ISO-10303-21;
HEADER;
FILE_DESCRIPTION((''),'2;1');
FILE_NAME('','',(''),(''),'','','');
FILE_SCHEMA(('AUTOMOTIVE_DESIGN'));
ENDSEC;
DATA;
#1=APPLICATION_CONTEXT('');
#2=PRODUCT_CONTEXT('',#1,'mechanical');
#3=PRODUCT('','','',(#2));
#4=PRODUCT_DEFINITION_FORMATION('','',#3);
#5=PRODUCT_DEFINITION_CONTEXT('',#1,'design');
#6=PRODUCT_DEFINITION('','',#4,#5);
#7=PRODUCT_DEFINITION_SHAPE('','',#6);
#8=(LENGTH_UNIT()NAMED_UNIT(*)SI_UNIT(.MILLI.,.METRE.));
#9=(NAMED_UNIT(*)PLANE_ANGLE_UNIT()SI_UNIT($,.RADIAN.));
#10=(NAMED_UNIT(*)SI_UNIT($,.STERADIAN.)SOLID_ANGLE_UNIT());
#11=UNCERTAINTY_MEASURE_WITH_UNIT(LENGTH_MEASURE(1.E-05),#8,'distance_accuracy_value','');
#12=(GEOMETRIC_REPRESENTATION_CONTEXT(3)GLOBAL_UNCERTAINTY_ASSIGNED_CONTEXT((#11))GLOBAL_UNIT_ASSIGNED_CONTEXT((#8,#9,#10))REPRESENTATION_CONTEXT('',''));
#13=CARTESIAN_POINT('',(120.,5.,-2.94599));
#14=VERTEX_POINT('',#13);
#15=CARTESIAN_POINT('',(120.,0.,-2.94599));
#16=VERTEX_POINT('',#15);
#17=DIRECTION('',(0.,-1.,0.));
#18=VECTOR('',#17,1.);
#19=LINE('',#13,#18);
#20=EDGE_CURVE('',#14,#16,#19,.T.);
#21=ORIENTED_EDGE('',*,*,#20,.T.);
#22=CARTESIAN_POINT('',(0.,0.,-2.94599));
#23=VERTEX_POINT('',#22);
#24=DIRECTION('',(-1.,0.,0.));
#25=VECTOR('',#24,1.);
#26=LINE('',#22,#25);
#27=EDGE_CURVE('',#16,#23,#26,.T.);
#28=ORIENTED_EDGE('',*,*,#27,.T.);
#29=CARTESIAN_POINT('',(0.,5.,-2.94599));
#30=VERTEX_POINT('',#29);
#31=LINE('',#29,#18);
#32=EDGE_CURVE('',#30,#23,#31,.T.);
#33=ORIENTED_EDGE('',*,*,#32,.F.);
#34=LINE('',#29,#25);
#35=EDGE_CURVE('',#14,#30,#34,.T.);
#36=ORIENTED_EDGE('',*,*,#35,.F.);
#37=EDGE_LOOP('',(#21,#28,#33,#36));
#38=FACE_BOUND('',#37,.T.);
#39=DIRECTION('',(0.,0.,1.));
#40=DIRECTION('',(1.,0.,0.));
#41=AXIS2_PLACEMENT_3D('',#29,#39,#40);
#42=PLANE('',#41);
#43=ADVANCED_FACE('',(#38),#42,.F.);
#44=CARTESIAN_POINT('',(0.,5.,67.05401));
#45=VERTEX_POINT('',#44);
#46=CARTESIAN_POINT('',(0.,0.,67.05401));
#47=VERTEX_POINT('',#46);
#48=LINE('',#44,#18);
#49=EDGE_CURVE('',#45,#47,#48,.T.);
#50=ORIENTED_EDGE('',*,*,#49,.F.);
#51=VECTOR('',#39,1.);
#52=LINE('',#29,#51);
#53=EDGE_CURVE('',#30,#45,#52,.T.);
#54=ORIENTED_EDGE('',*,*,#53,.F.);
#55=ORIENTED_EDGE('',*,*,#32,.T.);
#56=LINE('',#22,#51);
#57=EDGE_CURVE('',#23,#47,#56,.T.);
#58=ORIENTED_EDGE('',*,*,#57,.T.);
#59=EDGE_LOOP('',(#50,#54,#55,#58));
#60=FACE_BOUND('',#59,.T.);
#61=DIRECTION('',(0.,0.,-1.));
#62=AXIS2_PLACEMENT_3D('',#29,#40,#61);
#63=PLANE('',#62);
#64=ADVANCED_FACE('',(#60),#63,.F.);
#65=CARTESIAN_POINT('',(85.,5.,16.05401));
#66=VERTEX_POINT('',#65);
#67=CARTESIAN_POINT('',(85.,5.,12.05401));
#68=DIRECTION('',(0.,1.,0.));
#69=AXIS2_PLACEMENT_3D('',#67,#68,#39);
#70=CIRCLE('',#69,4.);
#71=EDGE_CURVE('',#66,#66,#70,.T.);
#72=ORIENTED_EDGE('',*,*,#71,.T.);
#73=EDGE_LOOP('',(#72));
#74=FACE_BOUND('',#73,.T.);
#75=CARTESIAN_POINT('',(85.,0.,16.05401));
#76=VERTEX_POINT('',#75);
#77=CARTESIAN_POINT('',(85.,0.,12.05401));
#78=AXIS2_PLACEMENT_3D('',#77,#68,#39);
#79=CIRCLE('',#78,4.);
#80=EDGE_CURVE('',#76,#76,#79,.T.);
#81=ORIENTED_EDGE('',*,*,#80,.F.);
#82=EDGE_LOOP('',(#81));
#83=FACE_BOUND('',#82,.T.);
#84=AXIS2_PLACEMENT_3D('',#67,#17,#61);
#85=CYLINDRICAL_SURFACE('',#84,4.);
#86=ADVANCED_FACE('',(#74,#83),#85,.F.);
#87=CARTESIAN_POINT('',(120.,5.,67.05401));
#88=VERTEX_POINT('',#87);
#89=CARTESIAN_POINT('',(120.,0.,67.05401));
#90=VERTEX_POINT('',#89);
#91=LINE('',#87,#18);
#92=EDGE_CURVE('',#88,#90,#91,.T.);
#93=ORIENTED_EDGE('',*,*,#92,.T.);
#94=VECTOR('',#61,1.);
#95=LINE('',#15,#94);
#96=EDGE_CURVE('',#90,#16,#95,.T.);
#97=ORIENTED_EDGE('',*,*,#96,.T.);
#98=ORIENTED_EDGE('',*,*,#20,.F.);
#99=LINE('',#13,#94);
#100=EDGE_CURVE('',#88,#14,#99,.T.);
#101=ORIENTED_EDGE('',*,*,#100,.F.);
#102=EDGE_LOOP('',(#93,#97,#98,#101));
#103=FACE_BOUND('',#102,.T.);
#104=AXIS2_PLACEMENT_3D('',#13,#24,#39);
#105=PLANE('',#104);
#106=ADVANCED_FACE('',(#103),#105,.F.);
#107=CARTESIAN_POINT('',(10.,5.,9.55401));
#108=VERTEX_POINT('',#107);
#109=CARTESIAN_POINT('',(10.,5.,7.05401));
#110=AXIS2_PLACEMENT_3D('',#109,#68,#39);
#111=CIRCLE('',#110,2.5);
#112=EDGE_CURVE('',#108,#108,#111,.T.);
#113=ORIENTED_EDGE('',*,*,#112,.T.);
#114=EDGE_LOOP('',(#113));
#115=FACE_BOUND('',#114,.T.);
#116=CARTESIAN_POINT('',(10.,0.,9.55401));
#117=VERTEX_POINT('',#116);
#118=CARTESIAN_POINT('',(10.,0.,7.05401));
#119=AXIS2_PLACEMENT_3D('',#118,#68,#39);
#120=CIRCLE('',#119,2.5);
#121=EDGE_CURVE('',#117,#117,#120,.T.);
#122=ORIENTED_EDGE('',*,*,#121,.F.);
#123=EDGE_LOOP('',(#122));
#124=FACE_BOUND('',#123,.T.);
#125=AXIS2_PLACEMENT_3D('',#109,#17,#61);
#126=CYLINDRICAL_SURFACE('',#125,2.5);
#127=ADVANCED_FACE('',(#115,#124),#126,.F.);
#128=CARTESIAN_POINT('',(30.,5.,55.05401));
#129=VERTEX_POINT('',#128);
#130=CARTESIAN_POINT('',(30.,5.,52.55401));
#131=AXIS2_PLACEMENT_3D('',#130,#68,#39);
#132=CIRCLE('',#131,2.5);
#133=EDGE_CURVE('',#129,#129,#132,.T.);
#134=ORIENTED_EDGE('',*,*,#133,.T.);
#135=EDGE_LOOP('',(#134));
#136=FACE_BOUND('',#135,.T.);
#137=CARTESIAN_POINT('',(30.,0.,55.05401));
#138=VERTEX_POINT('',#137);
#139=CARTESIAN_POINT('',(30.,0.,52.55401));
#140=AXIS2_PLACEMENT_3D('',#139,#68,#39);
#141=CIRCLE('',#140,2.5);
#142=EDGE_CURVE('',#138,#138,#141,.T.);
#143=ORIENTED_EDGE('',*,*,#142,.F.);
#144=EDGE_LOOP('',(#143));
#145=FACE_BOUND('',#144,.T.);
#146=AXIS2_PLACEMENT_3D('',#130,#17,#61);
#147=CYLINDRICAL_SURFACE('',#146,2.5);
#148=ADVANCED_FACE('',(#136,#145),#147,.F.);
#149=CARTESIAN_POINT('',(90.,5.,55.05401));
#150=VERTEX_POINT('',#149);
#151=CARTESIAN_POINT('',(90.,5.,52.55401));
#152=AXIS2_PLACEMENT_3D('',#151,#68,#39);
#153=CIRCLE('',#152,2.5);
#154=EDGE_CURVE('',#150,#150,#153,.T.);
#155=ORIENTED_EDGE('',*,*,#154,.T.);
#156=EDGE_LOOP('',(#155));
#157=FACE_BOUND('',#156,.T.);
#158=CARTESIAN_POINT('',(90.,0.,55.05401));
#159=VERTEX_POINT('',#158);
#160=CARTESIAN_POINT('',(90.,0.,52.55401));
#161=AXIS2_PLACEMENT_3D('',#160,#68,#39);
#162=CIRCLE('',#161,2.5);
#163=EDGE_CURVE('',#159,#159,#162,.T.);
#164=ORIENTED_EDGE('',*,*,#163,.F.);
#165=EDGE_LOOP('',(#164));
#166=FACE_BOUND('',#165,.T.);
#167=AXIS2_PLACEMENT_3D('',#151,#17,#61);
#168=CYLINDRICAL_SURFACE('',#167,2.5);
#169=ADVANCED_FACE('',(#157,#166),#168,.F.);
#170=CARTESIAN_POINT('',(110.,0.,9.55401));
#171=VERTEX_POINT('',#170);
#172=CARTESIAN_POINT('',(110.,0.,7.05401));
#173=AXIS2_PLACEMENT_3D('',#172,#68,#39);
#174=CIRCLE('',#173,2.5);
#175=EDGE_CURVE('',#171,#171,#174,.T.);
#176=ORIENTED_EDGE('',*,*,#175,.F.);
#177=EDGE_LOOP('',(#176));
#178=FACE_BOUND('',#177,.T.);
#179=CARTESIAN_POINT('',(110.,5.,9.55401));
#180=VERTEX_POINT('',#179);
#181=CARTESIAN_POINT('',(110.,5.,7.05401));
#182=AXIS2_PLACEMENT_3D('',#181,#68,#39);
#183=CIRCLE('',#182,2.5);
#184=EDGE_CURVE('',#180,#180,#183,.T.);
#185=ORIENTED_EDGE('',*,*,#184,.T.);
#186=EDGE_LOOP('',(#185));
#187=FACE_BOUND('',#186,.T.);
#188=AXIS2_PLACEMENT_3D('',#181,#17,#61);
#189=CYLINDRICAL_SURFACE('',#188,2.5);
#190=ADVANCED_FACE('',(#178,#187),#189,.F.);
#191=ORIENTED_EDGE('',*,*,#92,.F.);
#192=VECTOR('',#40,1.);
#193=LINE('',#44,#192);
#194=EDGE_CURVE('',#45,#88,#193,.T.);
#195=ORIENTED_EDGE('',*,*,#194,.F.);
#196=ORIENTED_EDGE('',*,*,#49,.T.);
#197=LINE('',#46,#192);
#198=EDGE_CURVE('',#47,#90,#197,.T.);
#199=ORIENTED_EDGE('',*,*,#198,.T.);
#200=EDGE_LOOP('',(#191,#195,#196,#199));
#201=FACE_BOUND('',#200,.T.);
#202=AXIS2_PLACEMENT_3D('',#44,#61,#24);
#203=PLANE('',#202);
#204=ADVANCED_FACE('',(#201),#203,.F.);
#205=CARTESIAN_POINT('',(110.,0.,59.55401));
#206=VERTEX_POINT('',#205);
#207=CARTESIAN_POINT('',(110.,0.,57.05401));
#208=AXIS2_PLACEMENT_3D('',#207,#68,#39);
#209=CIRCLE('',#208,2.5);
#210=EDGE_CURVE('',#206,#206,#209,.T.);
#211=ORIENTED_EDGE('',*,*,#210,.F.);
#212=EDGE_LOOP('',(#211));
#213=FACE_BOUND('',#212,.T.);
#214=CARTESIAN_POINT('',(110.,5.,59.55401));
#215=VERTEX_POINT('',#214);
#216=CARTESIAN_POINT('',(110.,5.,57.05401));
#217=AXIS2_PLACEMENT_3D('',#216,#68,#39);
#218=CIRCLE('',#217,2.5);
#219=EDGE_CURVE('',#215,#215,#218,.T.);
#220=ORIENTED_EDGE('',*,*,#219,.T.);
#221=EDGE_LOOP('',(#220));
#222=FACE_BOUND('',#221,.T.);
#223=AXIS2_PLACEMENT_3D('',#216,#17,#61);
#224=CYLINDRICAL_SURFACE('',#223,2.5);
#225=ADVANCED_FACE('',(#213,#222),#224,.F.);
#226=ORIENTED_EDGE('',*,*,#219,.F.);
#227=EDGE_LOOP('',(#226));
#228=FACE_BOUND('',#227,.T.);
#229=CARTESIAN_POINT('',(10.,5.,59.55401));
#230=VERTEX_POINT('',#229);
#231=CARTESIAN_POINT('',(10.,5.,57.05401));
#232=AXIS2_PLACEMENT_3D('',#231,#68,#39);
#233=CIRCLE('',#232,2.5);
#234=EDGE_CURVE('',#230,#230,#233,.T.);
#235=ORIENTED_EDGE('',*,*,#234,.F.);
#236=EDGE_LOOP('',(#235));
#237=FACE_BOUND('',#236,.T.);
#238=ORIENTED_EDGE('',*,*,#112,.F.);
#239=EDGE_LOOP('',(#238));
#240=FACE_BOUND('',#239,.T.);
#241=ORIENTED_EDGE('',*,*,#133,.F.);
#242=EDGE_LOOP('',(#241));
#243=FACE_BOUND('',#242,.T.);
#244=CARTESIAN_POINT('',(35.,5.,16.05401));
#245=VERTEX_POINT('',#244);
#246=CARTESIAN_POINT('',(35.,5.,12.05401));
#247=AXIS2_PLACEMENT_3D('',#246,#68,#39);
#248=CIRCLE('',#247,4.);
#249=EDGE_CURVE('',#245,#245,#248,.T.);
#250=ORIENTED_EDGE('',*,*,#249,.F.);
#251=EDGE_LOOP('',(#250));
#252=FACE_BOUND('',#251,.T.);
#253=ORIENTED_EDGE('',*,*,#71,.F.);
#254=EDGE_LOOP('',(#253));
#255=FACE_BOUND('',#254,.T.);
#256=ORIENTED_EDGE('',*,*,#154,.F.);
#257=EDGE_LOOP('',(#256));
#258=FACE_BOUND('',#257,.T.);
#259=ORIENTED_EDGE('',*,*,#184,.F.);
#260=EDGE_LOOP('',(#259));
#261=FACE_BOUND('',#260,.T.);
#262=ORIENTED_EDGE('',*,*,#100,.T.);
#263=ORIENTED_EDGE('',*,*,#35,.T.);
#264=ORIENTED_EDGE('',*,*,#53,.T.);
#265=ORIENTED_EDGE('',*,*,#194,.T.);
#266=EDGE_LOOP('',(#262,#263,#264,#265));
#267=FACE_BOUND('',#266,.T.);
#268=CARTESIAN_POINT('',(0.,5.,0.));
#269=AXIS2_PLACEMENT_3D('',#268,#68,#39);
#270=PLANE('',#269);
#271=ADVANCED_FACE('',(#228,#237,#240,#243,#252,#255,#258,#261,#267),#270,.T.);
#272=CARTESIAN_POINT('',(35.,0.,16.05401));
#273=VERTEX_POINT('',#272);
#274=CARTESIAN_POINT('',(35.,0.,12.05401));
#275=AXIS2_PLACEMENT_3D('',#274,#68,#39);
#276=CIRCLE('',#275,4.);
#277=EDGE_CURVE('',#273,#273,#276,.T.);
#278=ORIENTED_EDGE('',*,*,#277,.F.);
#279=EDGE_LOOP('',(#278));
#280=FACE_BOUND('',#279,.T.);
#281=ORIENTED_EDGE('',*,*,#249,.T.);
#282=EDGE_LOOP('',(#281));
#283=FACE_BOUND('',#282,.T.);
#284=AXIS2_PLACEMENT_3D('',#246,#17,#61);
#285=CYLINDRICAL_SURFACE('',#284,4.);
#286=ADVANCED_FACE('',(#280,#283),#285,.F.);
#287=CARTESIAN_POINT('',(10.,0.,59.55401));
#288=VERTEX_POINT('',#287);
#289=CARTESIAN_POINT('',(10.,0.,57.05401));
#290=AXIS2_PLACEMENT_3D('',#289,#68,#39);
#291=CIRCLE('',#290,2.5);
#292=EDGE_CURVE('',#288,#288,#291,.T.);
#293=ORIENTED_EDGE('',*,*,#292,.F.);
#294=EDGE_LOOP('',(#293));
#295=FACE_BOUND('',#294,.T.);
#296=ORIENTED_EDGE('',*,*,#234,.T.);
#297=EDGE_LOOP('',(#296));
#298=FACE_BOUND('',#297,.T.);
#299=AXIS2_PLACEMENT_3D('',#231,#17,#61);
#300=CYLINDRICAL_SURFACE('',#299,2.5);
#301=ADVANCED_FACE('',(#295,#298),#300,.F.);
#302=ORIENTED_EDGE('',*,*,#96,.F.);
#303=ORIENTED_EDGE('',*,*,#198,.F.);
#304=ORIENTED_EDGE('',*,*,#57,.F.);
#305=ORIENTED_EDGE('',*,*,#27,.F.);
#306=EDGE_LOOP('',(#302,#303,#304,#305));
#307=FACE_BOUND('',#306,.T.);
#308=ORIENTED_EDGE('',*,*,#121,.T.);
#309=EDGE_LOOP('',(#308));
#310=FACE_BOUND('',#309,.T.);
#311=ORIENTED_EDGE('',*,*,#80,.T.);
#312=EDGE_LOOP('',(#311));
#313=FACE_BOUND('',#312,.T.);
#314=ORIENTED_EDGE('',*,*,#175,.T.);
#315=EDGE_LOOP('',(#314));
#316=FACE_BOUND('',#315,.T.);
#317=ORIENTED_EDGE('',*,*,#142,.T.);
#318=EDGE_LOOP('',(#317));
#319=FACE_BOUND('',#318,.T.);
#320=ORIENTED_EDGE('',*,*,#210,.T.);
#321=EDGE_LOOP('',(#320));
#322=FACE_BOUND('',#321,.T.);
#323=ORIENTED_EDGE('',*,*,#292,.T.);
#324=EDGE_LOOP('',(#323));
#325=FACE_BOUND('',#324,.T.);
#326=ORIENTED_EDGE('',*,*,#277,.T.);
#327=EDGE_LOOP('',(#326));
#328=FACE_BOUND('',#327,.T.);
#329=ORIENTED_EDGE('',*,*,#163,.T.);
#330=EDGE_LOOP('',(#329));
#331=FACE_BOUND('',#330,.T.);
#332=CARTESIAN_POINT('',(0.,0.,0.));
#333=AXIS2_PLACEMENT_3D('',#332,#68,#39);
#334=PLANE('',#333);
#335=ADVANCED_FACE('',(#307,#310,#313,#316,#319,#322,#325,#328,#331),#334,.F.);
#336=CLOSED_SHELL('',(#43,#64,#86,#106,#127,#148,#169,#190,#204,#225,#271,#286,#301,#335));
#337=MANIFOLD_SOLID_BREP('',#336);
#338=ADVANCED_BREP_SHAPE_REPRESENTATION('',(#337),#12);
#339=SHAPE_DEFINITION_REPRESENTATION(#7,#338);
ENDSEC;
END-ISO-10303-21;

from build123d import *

# Parameters (mm, degrees)
SKETCH1_W           = 120
SKETCH1_H           = 70
SKETCH1_R           = 4
SKETCH1_R_2         = 2.5
BOSS_EXTRUDE1_DEPTH = 5


with BuildPart() as part:
    # Sketch1 → Boss-Extrude1 (new body)
    with BuildSketch(Plane(origin=(0, 0, 0), x_dir=(1, 0, 0), z_dir=(0, 1, 0))):
        with Locations((60, -32.05400982)):
            Rectangle(SKETCH1_W, SKETCH1_H)
        with Locations(Location((35, -12.05400982, 0), (0, 0, 270))):
            Circle(SKETCH1_R, mode=Mode.SUBTRACT)
        with Locations(Location((85, -12.05400982, 0), (0, 0, 270))):
            Circle(SKETCH1_R, mode=Mode.SUBTRACT)
        with Locations(Location((10, -57.05400982, 0), (0, 0, 270))):
            Circle(SKETCH1_R_2, mode=Mode.SUBTRACT)
        with Locations(Location((10, -7.05400982, 0), (0, 0, 270))):
            Circle(SKETCH1_R_2, mode=Mode.SUBTRACT)
        with Locations(Location((30, -52.55400982, 0), (0, 0, 270))):
            Circle(SKETCH1_R_2, mode=Mode.SUBTRACT)
        with Locations(Location((90, -52.55400982, 0), (0, 0, 270))):
            Circle(SKETCH1_R_2, mode=Mode.SUBTRACT)
        with Locations(Location((110, -57.05400982, 0), (0, 0, 270))):
            Circle(SKETCH1_R_2, mode=Mode.SUBTRACT)
        with Locations(Location((110, -7.05400982, 0), (0, 0, 270))):
            Circle(SKETCH1_R_2, mode=Mode.SUBTRACT)
    extrude(amount=BOSS_EXTRUDE1_DEPTH)


solid = part.part
